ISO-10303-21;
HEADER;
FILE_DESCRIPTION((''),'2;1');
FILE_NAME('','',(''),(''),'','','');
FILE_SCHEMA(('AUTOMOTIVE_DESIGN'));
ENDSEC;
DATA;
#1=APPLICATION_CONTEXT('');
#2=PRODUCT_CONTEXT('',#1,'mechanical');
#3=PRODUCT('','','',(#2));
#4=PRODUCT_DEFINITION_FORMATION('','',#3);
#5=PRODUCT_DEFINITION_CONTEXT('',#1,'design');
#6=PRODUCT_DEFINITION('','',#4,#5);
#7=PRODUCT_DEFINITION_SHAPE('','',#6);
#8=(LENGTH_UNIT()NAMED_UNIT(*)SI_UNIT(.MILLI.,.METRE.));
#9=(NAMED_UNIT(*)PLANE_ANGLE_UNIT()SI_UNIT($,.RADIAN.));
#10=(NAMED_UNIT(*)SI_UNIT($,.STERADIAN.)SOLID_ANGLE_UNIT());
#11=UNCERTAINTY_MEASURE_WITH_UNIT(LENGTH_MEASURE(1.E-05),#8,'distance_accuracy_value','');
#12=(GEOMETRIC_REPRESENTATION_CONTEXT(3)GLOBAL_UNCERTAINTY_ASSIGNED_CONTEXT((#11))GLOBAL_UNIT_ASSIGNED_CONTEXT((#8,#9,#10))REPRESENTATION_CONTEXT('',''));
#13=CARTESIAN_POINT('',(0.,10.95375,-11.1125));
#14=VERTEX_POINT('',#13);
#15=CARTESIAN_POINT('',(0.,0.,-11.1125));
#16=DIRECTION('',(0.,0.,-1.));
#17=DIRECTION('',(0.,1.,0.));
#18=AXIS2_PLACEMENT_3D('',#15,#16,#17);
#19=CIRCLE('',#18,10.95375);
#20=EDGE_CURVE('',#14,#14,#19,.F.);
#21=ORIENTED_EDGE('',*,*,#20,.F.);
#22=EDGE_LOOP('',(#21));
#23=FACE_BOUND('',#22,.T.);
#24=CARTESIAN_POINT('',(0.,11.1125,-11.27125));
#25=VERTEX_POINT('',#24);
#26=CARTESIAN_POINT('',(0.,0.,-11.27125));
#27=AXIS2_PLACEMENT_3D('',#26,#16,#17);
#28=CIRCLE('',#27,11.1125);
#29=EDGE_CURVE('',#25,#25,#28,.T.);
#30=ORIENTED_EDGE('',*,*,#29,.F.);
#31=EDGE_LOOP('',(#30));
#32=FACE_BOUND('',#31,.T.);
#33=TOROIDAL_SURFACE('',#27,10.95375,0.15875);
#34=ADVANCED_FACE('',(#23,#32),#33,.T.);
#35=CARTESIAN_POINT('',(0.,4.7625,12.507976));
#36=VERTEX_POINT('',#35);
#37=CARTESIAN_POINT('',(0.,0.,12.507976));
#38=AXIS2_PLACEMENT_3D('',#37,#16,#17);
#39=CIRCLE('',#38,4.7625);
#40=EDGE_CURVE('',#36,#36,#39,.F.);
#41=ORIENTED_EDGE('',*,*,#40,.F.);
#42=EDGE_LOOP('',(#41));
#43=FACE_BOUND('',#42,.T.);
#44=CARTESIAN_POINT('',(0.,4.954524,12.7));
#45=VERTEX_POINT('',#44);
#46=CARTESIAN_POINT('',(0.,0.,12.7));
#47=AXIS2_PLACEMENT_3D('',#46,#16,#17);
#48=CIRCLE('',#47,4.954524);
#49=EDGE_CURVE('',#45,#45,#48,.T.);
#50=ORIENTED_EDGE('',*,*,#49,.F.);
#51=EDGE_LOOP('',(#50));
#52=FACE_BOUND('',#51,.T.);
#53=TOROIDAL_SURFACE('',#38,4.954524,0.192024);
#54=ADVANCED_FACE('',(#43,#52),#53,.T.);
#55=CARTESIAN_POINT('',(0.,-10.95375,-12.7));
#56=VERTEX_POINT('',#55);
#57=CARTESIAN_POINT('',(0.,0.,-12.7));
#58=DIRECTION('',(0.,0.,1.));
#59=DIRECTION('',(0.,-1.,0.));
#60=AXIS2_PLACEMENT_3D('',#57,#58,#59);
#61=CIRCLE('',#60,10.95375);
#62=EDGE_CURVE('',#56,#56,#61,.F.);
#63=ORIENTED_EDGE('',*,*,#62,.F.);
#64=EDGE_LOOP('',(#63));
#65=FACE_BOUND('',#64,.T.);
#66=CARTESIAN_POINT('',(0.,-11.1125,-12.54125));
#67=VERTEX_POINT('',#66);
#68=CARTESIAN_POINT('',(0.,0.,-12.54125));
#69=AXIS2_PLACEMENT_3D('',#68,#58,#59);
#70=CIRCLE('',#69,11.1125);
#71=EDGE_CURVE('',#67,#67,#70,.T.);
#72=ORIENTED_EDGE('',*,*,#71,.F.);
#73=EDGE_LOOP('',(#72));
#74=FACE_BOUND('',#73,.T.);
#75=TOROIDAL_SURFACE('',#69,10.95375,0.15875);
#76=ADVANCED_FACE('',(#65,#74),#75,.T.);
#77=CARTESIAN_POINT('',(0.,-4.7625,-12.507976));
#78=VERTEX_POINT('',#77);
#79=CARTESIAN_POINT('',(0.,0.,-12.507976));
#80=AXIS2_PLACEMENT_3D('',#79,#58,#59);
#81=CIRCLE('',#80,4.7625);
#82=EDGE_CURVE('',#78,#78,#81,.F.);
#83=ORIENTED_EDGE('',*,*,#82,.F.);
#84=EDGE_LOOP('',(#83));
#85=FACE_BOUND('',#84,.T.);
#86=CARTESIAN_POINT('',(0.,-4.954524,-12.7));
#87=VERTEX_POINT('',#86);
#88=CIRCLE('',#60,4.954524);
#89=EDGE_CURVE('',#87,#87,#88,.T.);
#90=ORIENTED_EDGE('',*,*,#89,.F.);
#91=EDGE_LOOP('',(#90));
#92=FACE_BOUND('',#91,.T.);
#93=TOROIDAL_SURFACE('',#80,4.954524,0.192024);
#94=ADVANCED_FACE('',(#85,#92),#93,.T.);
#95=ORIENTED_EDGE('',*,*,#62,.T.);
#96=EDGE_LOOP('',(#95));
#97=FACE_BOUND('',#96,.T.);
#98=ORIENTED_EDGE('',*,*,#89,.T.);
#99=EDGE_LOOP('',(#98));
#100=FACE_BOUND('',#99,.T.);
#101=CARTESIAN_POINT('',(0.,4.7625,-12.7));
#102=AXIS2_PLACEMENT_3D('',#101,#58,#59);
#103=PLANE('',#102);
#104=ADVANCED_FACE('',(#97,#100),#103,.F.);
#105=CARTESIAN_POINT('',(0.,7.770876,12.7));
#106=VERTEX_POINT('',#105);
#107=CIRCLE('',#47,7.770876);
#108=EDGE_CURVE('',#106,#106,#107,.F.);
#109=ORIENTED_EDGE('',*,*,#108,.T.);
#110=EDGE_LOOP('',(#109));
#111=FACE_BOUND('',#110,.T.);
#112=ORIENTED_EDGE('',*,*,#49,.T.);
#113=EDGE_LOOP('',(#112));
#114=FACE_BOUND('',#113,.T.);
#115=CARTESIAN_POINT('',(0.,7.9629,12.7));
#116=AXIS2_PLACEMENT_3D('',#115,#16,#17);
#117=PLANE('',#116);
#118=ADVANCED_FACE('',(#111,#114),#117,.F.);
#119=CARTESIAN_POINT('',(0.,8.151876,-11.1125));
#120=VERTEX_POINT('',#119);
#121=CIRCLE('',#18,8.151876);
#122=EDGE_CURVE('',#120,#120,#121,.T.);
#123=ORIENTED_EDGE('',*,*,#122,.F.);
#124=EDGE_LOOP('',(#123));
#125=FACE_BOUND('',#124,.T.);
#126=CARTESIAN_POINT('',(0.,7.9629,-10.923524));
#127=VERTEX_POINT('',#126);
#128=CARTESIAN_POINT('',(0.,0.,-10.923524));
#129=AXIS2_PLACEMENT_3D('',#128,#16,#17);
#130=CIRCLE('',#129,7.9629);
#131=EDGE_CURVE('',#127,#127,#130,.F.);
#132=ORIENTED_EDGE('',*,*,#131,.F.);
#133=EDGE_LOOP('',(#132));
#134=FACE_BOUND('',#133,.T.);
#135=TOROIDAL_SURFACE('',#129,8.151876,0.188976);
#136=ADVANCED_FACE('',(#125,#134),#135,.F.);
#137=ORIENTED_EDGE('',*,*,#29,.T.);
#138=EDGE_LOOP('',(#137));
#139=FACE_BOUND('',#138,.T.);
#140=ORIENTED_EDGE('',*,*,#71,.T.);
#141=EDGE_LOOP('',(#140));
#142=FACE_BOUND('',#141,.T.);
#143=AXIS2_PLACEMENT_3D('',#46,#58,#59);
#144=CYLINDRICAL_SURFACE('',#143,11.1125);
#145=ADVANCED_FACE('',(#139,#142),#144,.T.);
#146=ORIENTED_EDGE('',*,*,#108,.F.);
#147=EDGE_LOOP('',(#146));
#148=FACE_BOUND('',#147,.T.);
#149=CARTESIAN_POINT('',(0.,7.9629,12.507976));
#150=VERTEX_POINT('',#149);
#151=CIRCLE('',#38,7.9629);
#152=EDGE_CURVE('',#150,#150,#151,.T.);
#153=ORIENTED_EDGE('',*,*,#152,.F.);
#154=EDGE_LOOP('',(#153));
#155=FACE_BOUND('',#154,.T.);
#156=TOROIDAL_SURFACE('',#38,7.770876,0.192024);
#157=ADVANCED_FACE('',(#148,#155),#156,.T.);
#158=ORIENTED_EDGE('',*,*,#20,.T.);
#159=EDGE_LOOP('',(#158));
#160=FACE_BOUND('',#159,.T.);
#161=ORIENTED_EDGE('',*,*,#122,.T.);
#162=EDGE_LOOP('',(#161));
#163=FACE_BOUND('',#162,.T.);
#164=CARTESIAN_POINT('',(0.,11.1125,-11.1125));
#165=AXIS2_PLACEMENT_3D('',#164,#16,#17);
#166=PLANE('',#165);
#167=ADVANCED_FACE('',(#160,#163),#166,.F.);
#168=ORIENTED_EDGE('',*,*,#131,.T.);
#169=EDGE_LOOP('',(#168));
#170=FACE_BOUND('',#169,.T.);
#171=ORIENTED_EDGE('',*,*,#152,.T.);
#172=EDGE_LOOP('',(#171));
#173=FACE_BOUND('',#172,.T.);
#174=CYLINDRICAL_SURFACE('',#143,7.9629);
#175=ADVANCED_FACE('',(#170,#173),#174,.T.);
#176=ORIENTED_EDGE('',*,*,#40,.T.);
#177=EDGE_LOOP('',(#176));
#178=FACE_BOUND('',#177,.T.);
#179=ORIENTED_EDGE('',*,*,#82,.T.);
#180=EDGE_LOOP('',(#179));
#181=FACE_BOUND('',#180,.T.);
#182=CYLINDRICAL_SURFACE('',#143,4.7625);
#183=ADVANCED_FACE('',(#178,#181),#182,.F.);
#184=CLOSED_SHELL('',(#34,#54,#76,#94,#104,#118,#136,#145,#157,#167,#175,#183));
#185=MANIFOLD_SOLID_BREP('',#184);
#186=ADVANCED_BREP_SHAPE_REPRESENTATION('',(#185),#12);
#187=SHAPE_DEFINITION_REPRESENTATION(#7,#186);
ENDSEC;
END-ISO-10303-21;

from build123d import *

# Parameters (mm, degrees)
FILLET1_R = 0.15875
FILLET2_R = 0.192024
FILLET3_R = 0.188976


with BuildPart() as part:
    # Sketch2 → Revolve1 (revolve)
    with BuildSketch(Plane(origin=(0, 0, 0), x_dir=(0, 0, -1), z_dir=(1, 0, 0)), mode=Mode.PRIVATE) as revolve1_sk:
        Polygon((-12.7, 4.7625), (12.7, 4.7625), (12.7, 11.1125), (11.1125, 11.1125), (11.1125, 7.9629), (-12.7, 7.9629), align=None)
    revolve(revolve1_sk.sketch.rotate(Axis((0, 0, 12.7), (0, 0, -1)), 180), axis=Axis((0, 0, 12.7), (0, 0, -1)))

    # Fillet1
    fillet1_edges = [part.edges().sort_by_distance(p)[0] for p in [
        (0, 11.1125, -11.1125),
        (0, 11.1125, -12.7),
    ]]
    fillet(fillet1_edges, radius=FILLET1_R)

    # Fillet2
    fillet2_edges = [part.edges().sort_by_distance(p)[0] for p in [
        (0, 7.9629, 12.7),
        (0, 4.7625, -12.7),
        (0, 4.7625, 12.7),
    ]]
    fillet(fillet2_edges, radius=FILLET2_R)

    # Fillet3
    fillet3_edges = [part.edges().sort_by_distance(p)[0] for p in [
        (0, 7.9629, -11.1125),
    ]]
    fillet(fillet3_edges, radius=FILLET3_R)


solid = part.part
